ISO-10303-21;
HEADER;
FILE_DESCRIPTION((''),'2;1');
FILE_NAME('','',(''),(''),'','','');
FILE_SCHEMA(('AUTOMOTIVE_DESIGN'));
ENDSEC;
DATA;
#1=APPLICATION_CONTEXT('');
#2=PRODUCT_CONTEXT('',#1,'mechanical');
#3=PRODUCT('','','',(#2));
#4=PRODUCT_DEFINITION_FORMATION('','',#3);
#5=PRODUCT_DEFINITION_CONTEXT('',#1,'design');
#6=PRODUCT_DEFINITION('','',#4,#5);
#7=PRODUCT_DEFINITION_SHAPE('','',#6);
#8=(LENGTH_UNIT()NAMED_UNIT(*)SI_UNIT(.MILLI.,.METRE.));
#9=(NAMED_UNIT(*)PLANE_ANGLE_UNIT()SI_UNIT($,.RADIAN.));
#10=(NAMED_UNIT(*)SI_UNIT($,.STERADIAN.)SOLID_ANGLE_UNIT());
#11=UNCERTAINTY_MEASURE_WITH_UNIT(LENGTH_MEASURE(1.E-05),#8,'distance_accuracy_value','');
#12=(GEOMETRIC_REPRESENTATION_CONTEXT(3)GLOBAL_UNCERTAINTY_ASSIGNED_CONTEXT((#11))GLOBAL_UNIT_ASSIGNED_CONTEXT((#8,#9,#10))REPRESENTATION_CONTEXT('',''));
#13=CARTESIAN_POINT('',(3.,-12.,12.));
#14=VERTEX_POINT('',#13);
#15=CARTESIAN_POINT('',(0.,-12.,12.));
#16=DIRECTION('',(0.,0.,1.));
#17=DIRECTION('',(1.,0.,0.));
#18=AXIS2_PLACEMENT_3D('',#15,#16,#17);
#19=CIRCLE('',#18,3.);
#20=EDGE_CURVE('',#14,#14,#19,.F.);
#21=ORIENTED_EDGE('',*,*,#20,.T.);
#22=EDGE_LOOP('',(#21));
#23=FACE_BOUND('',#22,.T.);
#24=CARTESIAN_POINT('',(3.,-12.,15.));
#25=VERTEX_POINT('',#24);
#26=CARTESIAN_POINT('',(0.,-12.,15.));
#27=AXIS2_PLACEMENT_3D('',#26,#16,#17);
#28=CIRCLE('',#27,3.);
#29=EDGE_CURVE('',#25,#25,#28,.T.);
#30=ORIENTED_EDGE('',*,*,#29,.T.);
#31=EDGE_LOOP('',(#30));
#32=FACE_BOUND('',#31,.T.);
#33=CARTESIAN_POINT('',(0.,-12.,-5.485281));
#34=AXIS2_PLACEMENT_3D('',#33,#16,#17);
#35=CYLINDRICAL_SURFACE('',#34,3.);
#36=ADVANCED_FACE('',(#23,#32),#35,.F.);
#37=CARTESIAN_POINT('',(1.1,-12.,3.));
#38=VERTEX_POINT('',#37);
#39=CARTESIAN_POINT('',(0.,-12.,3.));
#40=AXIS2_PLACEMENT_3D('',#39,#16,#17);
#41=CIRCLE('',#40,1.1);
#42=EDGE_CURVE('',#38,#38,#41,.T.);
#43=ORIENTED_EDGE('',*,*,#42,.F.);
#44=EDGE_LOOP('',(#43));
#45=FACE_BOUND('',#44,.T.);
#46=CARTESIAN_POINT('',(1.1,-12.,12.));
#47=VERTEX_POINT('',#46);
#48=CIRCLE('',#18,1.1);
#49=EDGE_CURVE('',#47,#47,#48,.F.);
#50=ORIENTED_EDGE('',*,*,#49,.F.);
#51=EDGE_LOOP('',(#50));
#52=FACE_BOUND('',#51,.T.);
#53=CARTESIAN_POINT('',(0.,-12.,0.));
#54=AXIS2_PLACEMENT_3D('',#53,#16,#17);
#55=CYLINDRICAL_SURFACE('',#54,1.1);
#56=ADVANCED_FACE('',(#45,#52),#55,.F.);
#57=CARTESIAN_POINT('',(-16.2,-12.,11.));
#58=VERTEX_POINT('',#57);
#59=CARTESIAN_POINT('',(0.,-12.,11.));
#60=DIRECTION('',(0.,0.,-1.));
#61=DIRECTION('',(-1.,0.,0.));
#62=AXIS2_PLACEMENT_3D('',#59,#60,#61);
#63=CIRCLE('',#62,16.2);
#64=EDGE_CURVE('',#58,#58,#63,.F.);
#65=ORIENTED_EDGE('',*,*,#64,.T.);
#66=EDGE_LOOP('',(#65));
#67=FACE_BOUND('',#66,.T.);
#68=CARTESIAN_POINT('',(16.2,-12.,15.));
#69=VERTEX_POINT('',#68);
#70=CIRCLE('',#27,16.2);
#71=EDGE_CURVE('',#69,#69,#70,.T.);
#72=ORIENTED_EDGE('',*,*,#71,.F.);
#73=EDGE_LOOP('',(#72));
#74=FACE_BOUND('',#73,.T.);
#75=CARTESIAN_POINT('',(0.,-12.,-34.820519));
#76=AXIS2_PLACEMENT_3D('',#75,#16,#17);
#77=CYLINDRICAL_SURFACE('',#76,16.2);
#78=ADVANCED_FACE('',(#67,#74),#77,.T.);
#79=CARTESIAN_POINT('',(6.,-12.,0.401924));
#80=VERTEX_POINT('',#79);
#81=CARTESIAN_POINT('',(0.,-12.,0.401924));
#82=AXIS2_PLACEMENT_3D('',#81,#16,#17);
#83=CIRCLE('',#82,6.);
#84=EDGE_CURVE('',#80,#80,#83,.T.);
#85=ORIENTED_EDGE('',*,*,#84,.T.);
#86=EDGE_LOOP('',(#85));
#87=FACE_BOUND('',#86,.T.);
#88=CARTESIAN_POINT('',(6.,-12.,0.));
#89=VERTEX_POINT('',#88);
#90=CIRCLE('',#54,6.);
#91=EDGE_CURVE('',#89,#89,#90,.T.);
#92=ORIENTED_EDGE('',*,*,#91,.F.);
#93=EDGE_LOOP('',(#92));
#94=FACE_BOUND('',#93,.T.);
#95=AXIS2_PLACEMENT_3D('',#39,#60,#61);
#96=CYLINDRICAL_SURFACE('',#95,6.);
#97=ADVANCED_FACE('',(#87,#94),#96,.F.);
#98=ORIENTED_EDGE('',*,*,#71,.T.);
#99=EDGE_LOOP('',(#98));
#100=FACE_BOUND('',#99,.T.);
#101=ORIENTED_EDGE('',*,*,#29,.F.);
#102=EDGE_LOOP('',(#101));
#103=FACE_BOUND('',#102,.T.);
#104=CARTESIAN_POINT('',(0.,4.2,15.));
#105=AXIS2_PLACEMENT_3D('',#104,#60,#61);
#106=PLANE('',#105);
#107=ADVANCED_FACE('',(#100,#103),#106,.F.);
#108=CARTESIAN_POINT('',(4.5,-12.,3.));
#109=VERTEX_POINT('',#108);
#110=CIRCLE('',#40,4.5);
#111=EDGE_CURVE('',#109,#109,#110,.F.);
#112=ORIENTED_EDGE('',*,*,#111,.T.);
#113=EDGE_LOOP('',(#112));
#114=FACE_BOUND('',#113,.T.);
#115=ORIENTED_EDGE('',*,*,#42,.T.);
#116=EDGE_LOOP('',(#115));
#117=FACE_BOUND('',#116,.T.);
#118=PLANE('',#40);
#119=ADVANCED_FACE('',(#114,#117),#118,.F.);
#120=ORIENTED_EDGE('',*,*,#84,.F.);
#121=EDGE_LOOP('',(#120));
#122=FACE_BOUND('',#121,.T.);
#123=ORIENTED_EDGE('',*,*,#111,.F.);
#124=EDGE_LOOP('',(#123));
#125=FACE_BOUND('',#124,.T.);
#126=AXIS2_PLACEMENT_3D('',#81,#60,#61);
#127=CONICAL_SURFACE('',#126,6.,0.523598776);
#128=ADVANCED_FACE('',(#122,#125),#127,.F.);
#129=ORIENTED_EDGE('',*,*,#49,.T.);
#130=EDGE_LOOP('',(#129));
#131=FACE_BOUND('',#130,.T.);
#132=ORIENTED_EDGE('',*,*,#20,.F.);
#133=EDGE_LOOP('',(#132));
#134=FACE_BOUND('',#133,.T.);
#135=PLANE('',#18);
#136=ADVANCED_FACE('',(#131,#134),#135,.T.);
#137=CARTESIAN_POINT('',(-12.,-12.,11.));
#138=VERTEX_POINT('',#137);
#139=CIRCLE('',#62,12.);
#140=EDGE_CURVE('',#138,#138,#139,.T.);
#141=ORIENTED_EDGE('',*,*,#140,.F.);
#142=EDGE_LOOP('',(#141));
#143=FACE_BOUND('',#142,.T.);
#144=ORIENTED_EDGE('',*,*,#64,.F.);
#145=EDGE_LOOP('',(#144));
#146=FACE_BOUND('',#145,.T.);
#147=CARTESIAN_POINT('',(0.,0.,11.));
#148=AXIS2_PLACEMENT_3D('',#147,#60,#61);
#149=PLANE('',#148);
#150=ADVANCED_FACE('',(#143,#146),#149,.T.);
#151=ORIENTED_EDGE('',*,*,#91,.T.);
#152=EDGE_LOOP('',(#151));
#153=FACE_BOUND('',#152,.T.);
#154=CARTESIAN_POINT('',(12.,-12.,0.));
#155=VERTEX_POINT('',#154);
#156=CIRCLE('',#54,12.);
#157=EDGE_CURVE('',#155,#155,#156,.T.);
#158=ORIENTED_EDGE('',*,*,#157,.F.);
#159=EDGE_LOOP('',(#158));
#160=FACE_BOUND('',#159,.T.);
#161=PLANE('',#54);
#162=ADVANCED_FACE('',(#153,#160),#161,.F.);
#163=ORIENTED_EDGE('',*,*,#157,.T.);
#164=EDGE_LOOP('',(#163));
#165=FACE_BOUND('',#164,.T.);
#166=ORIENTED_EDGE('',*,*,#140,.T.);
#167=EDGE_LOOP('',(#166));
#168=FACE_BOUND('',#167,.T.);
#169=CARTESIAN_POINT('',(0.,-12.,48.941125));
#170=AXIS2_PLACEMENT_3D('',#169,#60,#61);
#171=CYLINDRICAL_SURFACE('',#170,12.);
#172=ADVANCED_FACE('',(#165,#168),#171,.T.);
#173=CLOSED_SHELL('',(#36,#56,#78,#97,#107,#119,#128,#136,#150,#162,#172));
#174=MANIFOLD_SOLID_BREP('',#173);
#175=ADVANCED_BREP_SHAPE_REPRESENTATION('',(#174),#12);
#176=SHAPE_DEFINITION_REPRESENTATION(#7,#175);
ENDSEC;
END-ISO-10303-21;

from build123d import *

# Parameters (mm, degrees)
SKIZZE1_R                       = 12
AUFSATZ_LINEAR_AUSTRAGEN1_DEPTH = 15
SKIZZE2_R                       = 16.2
AUFSATZ_LINEAR_AUSTRAGEN3_DEPTH = 4
SKIZZE3_R                       = 6
SCHNITT_LINEAR_AUSTRAGEN1_DEPTH = 3
FASE1_SIZE                      = 1.5
FASE1_SIZE2                     = 2.598076211
SKIZZE4_R                       = 1.1
SCHNITT_LINEAR_AUSTRAGEN2_DEPTH = 16
SKIZZE5_R                       = 3
SCHNITT_LINEAR_AUSTRAGEN3_DEPTH = 3


with BuildPart() as part:
    # Skizze1 → Aufsatz-Linear austragen1 (new body)
    with BuildSketch(Plane.XY):
        with Locations((0, -12)):
            Circle(SKIZZE1_R)
    extrude(amount=AUFSATZ_LINEAR_AUSTRAGEN1_DEPTH)

    # Skizze2 → Aufsatz-Linear austragen3 (add)
    with BuildSketch(Plane.XY.offset(15)):
        with Locations((0, -12)):
            Circle(SKIZZE2_R)
    extrude(amount=-AUFSATZ_LINEAR_AUSTRAGEN3_DEPTH)

    # Skizze3 → Schnitt-Linear austragen1 (cut)
    with BuildSketch(Plane.XY):
        with Locations((0, -12)):
            Circle(SKIZZE3_R)
    extrude(amount=SCHNITT_LINEAR_AUSTRAGEN1_DEPTH, mode=Mode.SUBTRACT)

    # Fase1
    fase1_edges = [part.edges().sort_by_distance(p)[0] for p in [
        (-6, -12, 3),
    ]]
    fase1_side = [part.faces().sort_by_distance(p)[0] for p in [
        (0, -12, 3),
    ]]
    chamfer(fase1_edges, length=FASE1_SIZE, length2=FASE1_SIZE2, reference=fase1_side[0])

    # Skizze4 → Schnitt-Linear austragen2 (cut, through all)
    with BuildSketch(Plane.XY.offset(15)):
        with Locations((0, -12)):
            Circle(SKIZZE4_R)
    extrude(amount=-SCHNITT_LINEAR_AUSTRAGEN2_DEPTH, mode=Mode.SUBTRACT)

    # Skizze5 → Schnitt-Linear austragen3 (cut)
    with BuildSketch(Plane.XY.offset(15)):
        with Locations((0, -12)):
            Circle(SKIZZE5_R)
    extrude(amount=-SCHNITT_LINEAR_AUSTRAGEN3_DEPTH, mode=Mode.SUBTRACT)


solid = part.part
